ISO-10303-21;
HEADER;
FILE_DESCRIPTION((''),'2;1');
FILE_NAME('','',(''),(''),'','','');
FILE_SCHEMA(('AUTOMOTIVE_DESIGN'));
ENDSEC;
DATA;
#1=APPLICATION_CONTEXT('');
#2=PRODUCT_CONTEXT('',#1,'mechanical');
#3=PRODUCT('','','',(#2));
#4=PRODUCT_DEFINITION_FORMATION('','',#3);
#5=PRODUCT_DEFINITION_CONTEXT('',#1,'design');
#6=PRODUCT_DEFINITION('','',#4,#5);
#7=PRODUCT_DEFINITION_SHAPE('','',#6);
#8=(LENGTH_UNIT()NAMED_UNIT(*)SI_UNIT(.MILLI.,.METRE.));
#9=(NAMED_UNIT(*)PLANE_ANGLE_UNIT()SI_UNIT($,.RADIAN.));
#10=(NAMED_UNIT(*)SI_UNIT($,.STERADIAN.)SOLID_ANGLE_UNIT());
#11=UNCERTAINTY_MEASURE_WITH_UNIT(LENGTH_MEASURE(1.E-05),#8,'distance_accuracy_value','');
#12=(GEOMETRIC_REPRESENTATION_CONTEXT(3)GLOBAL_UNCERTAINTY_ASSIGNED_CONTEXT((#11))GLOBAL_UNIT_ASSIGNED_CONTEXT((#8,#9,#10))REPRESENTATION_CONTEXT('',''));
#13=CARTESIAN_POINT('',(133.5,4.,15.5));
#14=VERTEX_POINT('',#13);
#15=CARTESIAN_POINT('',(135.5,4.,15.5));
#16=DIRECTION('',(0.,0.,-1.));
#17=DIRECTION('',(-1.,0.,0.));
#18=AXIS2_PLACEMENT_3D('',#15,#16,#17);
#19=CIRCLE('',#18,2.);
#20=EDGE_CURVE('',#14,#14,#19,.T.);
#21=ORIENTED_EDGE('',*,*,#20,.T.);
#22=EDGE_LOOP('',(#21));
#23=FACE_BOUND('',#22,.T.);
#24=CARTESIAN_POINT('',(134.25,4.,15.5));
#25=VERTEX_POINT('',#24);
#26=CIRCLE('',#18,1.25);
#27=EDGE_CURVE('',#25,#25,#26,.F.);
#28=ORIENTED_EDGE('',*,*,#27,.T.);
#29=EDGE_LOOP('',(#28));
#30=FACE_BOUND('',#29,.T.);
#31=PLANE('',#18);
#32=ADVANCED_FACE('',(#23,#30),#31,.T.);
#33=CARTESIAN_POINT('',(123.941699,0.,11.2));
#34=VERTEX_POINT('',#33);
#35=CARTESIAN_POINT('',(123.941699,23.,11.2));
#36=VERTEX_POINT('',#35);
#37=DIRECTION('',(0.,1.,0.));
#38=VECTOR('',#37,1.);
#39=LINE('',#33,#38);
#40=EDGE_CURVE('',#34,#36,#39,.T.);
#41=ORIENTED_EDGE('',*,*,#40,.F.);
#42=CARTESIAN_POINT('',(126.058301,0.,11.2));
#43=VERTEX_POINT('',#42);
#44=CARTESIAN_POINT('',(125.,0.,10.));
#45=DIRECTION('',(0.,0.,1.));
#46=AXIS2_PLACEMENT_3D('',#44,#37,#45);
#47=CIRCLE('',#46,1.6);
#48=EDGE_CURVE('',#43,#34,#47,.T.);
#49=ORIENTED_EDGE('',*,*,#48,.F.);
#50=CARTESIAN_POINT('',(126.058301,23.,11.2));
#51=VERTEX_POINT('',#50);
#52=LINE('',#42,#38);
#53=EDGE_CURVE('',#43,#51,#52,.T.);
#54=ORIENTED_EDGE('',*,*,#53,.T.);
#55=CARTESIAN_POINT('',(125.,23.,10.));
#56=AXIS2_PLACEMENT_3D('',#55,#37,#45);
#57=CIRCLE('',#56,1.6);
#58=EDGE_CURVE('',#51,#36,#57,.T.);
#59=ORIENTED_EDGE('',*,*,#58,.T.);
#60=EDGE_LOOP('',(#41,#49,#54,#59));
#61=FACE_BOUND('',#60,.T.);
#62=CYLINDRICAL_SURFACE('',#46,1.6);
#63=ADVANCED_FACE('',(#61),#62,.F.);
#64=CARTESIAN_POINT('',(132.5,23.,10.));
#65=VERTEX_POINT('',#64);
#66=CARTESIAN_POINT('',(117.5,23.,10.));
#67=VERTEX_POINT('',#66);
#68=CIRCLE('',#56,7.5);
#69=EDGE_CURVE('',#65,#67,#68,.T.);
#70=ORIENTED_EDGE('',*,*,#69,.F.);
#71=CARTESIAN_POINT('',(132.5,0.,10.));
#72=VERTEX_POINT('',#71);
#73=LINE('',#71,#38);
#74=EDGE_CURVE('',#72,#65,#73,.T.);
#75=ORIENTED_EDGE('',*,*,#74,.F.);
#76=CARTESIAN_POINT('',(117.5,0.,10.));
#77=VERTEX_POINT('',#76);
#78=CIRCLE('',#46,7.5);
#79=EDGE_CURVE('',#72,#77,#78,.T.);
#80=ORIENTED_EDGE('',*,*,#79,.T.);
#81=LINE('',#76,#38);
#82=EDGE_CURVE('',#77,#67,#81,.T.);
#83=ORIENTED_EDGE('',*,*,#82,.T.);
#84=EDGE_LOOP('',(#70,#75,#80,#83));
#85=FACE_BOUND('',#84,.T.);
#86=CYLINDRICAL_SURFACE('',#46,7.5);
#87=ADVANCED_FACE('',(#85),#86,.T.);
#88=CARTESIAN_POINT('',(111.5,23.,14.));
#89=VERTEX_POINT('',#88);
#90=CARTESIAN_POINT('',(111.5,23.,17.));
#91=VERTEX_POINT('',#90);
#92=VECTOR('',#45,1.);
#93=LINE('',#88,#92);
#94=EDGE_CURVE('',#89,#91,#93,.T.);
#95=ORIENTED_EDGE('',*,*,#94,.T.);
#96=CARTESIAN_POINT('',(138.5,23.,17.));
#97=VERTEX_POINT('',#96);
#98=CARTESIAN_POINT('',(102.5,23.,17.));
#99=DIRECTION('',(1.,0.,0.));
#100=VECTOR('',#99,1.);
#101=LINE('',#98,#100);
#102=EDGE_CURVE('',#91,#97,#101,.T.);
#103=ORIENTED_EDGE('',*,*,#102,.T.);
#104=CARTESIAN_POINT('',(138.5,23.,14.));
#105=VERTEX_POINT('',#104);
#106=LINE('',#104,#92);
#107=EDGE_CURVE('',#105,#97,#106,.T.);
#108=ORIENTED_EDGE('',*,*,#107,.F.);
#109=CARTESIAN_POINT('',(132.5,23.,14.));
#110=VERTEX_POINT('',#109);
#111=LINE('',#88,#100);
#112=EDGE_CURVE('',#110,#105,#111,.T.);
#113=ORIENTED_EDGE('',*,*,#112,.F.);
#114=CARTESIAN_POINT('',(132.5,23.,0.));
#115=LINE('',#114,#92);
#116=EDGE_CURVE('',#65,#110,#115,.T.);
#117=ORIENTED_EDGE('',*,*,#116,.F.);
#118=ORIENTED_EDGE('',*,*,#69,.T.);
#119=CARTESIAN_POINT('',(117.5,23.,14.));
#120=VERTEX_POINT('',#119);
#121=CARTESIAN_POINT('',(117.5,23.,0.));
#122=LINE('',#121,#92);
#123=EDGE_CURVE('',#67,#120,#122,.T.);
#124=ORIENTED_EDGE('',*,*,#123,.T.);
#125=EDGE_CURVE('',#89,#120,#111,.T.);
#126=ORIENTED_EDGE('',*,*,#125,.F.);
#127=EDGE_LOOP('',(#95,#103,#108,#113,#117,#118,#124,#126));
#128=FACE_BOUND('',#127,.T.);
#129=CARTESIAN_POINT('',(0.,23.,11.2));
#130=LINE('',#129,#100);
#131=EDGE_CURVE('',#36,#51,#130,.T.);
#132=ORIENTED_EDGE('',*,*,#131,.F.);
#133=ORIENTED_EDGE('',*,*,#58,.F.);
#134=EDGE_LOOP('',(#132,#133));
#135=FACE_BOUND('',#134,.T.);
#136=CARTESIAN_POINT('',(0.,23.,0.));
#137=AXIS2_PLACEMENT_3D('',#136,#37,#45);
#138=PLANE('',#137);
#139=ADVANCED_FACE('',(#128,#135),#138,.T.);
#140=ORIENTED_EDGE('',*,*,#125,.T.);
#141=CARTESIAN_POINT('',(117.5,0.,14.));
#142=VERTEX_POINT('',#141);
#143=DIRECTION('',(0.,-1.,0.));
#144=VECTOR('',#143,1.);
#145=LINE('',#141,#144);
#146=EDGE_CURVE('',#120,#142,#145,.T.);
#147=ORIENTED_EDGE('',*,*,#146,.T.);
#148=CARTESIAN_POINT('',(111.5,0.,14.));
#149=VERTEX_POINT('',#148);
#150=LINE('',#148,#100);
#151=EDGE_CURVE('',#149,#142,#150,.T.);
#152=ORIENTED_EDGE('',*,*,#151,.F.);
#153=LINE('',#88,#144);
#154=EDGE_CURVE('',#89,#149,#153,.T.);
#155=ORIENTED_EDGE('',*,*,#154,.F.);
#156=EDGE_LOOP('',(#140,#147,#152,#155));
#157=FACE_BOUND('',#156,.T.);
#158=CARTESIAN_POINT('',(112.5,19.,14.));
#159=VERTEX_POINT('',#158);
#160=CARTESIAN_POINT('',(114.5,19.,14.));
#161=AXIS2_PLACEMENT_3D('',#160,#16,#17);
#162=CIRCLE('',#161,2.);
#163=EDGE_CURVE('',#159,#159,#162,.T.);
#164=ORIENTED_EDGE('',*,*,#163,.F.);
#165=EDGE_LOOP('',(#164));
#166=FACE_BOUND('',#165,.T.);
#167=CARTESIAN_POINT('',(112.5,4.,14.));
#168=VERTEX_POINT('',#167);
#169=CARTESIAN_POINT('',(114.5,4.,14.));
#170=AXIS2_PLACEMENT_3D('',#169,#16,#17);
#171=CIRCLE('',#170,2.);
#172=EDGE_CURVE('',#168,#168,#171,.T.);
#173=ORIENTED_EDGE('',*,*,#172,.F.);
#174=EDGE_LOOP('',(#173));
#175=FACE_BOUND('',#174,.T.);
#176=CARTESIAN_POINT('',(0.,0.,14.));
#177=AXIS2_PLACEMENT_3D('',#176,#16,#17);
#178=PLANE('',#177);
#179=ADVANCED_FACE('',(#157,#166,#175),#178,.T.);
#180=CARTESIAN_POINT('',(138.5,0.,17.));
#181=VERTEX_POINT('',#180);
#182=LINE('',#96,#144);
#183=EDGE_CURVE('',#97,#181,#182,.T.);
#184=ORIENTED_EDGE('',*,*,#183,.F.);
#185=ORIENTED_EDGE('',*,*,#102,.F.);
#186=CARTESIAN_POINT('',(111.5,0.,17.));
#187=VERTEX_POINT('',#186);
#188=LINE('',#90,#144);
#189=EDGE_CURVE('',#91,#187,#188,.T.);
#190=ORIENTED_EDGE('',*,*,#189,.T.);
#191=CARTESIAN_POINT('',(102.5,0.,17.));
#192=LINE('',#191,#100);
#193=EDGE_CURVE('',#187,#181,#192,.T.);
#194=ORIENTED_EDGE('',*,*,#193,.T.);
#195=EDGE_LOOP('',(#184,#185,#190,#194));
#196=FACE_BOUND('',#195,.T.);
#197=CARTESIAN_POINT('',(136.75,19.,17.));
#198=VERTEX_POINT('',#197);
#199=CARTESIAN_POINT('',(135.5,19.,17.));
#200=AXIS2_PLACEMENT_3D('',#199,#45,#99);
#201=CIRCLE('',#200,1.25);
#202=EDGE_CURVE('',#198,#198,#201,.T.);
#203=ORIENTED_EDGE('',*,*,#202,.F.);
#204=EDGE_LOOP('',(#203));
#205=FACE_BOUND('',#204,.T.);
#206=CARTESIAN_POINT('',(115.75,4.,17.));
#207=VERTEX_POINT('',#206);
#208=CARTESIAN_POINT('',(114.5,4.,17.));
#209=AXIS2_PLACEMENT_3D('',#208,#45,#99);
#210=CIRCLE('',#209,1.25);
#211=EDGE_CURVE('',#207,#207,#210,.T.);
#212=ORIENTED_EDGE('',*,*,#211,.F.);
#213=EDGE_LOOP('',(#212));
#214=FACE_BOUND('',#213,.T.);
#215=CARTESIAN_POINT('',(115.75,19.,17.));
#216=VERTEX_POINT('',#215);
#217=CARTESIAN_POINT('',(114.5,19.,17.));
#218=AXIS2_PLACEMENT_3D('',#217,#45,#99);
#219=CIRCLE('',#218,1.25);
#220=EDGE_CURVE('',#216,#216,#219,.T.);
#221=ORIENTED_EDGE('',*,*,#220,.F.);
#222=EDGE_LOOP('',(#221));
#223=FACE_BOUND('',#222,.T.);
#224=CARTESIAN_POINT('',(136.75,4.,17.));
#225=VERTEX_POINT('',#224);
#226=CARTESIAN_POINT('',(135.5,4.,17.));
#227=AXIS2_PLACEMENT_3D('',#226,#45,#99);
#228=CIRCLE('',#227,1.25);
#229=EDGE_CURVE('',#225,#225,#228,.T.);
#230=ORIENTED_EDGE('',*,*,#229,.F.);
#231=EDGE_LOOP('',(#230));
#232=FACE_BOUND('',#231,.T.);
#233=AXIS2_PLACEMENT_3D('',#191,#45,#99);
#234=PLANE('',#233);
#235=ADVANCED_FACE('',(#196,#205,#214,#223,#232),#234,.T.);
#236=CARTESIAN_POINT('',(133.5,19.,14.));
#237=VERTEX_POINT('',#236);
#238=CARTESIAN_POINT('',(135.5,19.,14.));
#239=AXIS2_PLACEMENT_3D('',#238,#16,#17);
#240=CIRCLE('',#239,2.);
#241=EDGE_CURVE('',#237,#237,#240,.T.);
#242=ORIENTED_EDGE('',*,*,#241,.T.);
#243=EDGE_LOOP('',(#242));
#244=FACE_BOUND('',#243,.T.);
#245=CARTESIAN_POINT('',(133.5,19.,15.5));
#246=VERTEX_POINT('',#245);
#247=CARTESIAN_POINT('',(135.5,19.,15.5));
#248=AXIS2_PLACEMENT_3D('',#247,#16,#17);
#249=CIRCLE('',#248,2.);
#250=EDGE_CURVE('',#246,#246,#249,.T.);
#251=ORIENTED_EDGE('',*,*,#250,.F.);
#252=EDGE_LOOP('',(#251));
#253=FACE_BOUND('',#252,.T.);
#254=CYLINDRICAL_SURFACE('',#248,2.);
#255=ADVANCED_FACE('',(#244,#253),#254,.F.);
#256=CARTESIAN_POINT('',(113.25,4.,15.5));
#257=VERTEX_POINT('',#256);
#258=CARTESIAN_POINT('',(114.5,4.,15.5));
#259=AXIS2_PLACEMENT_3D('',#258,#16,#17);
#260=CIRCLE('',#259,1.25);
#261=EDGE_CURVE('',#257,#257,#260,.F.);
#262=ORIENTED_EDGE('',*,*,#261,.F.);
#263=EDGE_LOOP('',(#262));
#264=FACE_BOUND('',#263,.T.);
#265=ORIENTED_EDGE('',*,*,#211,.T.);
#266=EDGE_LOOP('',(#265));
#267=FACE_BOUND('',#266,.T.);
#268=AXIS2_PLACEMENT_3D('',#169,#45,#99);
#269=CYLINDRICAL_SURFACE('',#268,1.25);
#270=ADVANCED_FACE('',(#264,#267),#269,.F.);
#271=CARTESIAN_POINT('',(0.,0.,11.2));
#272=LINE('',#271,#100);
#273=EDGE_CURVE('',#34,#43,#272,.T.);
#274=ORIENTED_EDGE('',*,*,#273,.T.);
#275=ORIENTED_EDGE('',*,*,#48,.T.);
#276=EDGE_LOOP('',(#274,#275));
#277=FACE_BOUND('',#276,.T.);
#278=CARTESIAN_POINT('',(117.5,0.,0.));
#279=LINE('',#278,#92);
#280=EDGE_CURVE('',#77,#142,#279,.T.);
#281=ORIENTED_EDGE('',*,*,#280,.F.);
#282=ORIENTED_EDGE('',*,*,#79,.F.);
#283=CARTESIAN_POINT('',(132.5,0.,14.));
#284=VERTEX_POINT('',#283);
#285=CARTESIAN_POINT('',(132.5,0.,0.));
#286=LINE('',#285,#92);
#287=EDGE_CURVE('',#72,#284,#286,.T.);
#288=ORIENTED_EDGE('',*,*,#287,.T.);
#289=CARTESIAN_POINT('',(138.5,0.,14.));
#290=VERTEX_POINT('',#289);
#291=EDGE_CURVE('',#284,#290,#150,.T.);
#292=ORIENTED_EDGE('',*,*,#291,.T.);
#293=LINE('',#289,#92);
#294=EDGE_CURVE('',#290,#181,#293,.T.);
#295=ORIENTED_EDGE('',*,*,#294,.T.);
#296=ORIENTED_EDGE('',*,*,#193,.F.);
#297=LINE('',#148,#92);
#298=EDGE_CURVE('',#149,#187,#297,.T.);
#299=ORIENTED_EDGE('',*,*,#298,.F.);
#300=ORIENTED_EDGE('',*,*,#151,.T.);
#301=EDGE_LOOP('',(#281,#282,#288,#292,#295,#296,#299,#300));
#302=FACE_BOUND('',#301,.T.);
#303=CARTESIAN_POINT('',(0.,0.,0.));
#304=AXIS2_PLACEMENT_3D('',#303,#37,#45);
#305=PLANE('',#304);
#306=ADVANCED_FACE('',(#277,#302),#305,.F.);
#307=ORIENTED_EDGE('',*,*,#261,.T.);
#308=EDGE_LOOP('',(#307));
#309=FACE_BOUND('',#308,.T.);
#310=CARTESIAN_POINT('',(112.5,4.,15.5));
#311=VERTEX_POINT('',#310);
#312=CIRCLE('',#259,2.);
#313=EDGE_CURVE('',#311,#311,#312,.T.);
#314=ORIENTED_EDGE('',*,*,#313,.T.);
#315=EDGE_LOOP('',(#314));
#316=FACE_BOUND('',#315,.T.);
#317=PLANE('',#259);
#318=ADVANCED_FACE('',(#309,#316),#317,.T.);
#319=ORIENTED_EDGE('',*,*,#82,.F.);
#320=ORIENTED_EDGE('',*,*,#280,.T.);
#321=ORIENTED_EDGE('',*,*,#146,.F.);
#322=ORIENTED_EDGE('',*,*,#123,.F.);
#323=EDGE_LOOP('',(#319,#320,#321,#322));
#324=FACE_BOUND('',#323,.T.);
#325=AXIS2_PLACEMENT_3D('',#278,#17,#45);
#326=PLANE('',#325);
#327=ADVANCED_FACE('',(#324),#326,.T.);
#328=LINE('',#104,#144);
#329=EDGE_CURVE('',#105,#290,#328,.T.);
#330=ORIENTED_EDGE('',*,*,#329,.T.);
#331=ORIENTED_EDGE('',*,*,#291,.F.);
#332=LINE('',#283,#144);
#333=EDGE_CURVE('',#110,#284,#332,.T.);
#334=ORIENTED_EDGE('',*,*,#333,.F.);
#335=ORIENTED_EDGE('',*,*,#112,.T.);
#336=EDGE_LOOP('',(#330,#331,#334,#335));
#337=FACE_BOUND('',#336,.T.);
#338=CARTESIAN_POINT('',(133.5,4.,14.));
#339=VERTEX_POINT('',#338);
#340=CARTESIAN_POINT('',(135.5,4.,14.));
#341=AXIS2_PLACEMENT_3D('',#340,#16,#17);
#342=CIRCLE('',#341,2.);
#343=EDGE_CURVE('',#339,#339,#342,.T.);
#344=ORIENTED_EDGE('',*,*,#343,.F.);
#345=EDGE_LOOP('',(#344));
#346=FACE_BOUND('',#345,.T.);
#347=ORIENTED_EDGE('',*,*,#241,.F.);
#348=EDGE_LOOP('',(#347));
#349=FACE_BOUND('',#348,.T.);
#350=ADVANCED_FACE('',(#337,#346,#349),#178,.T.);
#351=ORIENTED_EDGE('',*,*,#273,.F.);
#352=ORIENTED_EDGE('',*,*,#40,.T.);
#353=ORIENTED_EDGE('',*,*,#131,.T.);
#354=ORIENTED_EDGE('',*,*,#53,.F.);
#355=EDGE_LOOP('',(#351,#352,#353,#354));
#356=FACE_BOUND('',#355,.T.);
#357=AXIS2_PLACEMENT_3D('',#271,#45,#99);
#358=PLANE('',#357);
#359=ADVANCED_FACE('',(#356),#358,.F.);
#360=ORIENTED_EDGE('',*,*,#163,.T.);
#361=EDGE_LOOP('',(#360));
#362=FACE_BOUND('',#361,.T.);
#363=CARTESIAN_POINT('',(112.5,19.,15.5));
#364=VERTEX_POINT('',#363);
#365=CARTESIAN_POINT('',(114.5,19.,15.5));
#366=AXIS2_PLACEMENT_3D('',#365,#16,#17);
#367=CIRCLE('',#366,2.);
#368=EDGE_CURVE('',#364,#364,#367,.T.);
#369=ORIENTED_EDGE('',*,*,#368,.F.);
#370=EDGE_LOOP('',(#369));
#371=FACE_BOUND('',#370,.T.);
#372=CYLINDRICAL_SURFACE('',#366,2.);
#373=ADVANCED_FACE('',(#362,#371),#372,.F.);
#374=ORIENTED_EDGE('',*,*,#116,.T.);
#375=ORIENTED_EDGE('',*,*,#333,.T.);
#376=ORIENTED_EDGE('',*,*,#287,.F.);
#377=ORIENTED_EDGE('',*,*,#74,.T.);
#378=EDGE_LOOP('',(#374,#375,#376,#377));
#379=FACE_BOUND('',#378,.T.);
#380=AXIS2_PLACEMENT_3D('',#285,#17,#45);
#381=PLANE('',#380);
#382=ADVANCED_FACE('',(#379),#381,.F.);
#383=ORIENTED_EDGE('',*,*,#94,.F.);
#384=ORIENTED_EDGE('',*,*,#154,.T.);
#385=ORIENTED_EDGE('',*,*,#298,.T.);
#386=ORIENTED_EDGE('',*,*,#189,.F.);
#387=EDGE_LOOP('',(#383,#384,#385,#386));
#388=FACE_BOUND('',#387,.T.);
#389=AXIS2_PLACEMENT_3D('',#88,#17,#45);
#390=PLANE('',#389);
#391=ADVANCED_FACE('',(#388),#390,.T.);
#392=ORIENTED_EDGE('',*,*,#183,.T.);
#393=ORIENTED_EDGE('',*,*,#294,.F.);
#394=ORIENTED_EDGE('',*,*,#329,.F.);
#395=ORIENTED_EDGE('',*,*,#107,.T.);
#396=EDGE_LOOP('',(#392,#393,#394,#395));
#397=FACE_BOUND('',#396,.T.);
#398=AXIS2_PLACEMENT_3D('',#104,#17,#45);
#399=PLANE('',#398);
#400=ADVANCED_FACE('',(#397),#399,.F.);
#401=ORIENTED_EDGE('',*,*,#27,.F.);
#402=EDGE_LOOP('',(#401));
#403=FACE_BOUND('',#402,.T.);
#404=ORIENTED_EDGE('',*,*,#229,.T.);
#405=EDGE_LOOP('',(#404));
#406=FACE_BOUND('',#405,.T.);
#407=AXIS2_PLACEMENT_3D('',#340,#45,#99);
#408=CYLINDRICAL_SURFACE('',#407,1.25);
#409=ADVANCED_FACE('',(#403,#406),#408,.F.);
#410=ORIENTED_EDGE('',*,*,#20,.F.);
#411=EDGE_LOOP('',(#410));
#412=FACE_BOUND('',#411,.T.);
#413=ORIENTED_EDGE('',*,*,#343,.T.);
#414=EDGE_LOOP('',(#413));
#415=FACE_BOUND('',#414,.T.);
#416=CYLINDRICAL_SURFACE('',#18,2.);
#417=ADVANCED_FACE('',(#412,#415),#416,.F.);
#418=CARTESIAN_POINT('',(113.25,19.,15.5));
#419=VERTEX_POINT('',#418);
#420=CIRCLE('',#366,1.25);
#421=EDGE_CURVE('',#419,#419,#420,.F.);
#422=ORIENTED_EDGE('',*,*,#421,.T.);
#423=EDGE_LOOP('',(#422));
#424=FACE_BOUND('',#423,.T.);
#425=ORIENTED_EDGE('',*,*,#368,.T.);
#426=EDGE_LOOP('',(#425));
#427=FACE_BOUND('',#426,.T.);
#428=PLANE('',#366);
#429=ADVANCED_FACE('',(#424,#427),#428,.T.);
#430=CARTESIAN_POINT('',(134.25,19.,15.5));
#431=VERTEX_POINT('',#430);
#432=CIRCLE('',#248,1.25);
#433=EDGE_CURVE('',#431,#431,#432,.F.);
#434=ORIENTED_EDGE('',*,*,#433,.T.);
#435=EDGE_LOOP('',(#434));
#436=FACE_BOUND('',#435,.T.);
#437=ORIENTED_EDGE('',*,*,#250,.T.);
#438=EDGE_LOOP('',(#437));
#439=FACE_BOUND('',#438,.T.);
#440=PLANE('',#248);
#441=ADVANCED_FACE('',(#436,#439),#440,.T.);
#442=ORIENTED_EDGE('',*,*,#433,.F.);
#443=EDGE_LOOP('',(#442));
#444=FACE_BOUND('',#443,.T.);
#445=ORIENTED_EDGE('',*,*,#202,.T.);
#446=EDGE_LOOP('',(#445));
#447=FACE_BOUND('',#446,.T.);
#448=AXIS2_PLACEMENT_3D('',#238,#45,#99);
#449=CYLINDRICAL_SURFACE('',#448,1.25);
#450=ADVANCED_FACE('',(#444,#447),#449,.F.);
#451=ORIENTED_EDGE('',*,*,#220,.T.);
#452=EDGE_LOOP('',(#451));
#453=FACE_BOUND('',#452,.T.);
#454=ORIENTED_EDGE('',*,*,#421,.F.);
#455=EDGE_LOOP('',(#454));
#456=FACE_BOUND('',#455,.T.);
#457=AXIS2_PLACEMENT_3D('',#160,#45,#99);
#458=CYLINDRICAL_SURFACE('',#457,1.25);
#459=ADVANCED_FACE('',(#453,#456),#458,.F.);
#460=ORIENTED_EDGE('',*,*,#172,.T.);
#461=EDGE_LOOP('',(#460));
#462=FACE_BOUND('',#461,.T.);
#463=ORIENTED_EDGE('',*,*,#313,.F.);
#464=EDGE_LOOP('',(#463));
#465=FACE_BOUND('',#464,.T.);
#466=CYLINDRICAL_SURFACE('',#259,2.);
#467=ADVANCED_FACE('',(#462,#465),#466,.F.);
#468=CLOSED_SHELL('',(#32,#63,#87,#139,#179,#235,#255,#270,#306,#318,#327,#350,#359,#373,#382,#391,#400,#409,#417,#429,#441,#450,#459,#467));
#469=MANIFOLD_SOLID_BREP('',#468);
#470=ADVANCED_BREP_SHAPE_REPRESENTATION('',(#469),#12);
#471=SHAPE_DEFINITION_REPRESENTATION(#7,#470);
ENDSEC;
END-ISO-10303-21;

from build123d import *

# Parameters (mm, degrees)
SKETCH_2_W          = 170
SKETCH_2_H          = 20
EXTRUDE_1_DEPTH     = 23
CUT_EXTRUDE_1_DEPTH = 173.710740836
SKETCH_4_W          = 17
SKETCH_4_H          = 13
CUT_EXTRUDE_2_DEPTH = 30
CUT_EXTRUDE_3_DEPTH = 173.710740836
SKETCH_6_W          = 17.5
SKETCH_6_H          = 14.5
CUT_EXTRUDE_4_DEPTH = 173.710740836
SKETCH_7_W          = 27
SKETCH_7_H          = 23
SKETCH_7_R          = 1.25
EXTRUDE_2_DEPTH     = 3
CUT_EXTRUDE_START   = -3
SKETCH_7_3_R        = 2
CUT_EXTRUDE_5_DEPTH = 1.5


with BuildPart() as part:
    # 草图2 → 凸台-拉伸1 (new body)
    with BuildSketch(Plane(origin=(0, 0, 0), x_dir=(1, 0, 0), z_dir=(0, 1, 0))):
        with Locations((85, -10)):
            Rectangle(SKETCH_2_W, SKETCH_2_H)
    extrude(amount=EXTRUDE_1_DEPTH)

    # 草图3 → 切除-拉伸1 (cut, through all)
    with BuildSketch(Plane(origin=(0, 23, 0), x_dir=(1, 0, 0), z_dir=(0, 1, 0))):
        with BuildLine():
            ThreePointArc((161.6, -10), (159.341699476, -8.541699476), (158.941699476, -11.2))
            Line((158.941699476, -11.2), (161.058300524, -11.2))
            ThreePointArc((161.058300524, -11.2), (161.458300524, -10.658300524), (161.6, -10))
        make_face()
        with BuildLine():
            ThreePointArc((126.6, -10), (124.341699476, -8.541699476), (123.941699476, -11.2))
            Line((123.941699476, -11.2), (126.058300524, -11.2))
            ThreePointArc((126.058300524, -11.2), (126.458300524, -10.658300524), (126.6, -10))
        make_face()
    extrude(amount=-CUT_EXTRUDE_1_DEPTH, mode=Mode.SUBTRACT)

    # 草图4 → 切除-拉伸2 (cut)
    with BuildSketch(Plane(origin=(170, 0, 0), x_dir=(0, 0, -1), z_dir=(1, 0, 0))):
        with Locations((-8.5, 11.5)):
            Rectangle(SKETCH_4_W, SKETCH_4_H)
    extrude(amount=-CUT_EXTRUDE_2_DEPTH, mode=Mode.SUBTRACT)

    # 草图5 → 切除-拉伸3 (cut, through all)
    with BuildSketch(Plane(origin=(0, 23, 0), x_dir=(1, 0, 0), z_dir=(0, 1, 0))):
        with BuildLine():
            Line((117.5, -17), (117.5, -10))
            ThreePointArc((117.5, -10), (125, -2.5), (132.5, -10))
            Line((132.5, -10), (132.5, -17))
            Line((132.5, -17), (152.5, -17))
            Line((152.5, -17), (152.5, -10))
            ThreePointArc((152.5, -10), (160, -2.5), (167.5, -10))
            Line((167.5, -10), (167.5, -17))
            Line((167.5, -17), (170, -17))
            Line((170, -17), (170, 0))
            Line((170, 0), (0, 0))
            Line((0, 0), (0, -20))
            Line((0, -20), (102.5, -20))
            Line((102.5, -20), (102.5, -17))
            Line((102.5, -17), (117.5, -17))
        make_face()
    extrude(amount=-CUT_EXTRUDE_3_DEPTH, mode=Mode.SUBTRACT)

    # 草图6 → 切除-拉伸4 (cut, through all)
    with BuildSketch(Plane(origin=(0, 23, 0), x_dir=(1, 0, 0), z_dir=(0, 1, 0))):
        Polygon((152.5, -17), (102.5, -17), (102.5, -20), (170, -20), (170, -17), align=None)
        with Locations((161.25, -9.75)):
            Rectangle(SKETCH_6_W, SKETCH_6_H)
    extrude(amount=-CUT_EXTRUDE_4_DEPTH, mode=Mode.SUBTRACT)

    # 草图7 → 凸台-拉伸2 (add)
    with BuildSketch(Plane.XY.offset(17)):
        with Locations((125, 11.5)):
            Rectangle(SKETCH_7_W, SKETCH_7_H)
        with Locations((114.5, 19)):
            Circle(SKETCH_7_R, mode=Mode.SUBTRACT)
        with Locations((114.5, 4)):
            Circle(SKETCH_7_R, mode=Mode.SUBTRACT)
        with Locations((135.5, 4)):
            Circle(SKETCH_7_R, mode=Mode.SUBTRACT)
        with Locations((135.5, 19)):
            Circle(SKETCH_7_R, mode=Mode.SUBTRACT)
    extrude(amount=-EXTRUDE_2_DEPTH)

    # 草图7<3> → 切除-拉伸5 (cut)
    with BuildSketch(Plane.XY.offset(17).offset(CUT_EXTRUDE_START)):
        with Locations(Location((114.5, 19, 0), (0, 0, 180))):
            Circle(SKETCH_7_3_R)
        with Locations(Location((114.5, 4, 0), (0, 0, 180))):
            Circle(SKETCH_7_3_R)
        with Locations(Location((135.5, 4, 0), (0, 0, 180))):
            Circle(SKETCH_7_3_R)
        with Locations(Location((135.5, 19, 0), (0, 0, 180))):
            Circle(SKETCH_7_3_R)
    extrude(amount=CUT_EXTRUDE_5_DEPTH, mode=Mode.SUBTRACT)


solid = part.part
